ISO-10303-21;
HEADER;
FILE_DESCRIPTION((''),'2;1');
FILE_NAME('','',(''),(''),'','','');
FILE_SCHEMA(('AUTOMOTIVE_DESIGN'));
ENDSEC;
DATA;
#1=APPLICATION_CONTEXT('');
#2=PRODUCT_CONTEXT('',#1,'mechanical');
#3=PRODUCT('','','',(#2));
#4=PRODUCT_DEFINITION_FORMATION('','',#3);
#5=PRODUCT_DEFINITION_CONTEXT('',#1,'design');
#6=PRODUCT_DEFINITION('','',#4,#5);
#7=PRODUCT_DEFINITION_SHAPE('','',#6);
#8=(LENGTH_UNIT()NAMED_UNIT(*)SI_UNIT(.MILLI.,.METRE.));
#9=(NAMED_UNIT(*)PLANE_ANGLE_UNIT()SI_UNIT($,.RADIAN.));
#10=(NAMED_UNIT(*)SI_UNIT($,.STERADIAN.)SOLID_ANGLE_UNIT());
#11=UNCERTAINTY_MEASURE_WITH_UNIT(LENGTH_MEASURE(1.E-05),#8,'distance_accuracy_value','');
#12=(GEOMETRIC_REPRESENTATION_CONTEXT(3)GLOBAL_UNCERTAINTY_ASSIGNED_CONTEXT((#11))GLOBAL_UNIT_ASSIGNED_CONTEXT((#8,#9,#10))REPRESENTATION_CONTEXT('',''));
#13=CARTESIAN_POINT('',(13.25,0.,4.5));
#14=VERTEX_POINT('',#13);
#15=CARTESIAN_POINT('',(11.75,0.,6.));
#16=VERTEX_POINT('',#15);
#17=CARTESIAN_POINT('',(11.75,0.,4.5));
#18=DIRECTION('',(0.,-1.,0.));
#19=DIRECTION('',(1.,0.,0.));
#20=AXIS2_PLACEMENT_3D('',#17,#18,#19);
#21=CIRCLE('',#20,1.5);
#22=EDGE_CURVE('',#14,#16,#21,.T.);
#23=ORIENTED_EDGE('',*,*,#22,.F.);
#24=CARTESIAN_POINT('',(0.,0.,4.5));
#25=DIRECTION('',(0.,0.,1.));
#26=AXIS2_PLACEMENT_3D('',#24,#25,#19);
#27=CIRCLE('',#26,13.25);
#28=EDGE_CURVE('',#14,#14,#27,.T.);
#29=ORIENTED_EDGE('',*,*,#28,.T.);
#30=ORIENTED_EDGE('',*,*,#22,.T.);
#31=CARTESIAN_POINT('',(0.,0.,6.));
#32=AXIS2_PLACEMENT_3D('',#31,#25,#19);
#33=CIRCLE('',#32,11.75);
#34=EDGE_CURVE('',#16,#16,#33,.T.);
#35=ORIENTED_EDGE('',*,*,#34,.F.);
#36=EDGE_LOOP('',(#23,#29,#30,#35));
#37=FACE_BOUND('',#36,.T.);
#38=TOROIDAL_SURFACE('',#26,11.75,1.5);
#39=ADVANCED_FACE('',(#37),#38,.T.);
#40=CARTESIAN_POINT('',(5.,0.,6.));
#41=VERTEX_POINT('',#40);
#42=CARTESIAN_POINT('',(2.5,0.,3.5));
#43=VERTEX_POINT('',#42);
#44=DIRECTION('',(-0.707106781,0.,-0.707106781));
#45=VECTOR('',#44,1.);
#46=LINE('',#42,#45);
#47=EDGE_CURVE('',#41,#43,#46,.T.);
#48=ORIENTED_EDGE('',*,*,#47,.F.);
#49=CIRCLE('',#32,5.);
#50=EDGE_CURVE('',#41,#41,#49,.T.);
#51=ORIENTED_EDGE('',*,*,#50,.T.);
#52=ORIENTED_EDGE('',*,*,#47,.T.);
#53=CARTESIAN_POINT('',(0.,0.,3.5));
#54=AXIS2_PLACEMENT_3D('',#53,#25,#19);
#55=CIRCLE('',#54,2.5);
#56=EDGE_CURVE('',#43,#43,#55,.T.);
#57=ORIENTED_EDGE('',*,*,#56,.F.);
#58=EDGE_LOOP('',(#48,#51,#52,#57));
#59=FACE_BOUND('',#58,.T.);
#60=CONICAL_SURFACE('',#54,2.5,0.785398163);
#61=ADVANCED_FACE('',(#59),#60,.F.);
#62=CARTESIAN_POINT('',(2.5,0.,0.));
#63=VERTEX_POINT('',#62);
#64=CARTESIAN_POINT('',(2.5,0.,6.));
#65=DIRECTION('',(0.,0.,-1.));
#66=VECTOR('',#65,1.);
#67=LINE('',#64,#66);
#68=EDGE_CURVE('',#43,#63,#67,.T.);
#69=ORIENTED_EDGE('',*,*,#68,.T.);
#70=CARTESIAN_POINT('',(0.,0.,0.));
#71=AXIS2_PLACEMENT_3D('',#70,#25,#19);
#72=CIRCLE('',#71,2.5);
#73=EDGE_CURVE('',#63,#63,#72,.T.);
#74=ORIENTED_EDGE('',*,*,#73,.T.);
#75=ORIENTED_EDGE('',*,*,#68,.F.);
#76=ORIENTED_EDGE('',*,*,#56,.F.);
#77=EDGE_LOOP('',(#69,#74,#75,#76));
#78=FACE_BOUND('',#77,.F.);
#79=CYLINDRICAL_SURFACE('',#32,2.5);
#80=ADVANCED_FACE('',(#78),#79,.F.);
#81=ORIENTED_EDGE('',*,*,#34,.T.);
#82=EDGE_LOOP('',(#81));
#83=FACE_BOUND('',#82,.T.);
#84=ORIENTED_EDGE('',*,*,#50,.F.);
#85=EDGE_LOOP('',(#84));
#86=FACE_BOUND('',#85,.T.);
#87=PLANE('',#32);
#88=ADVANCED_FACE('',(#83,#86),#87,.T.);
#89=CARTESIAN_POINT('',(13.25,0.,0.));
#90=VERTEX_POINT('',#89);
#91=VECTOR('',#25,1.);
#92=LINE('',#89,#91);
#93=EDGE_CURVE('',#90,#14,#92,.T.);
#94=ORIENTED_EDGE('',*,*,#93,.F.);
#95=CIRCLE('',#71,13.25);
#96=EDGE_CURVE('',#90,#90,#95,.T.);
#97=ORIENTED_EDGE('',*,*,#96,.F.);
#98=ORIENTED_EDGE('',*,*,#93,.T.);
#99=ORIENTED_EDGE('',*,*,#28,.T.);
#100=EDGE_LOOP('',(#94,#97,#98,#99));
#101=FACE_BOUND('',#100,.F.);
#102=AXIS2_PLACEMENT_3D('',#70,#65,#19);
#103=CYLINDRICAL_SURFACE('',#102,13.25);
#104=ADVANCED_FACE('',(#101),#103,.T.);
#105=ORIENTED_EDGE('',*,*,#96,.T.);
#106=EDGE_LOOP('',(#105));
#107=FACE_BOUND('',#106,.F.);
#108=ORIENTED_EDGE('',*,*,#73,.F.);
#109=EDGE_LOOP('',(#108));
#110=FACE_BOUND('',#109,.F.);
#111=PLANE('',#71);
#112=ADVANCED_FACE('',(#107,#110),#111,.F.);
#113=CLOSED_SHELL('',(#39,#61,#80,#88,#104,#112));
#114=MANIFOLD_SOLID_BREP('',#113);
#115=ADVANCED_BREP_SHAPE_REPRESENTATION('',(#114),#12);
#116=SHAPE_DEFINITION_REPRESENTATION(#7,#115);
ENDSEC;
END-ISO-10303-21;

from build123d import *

# Parameters (mm, degrees)
SKETCH_R     = 13.25
PAD_DEPTH    = 6
FILLET_R     = 1.5
SKETCH001_R  = 2.5
POCKET_DEPTH = 6.001
CHAMFER_SIZE = 2.5


with BuildPart() as part:
    # Sketch → Pad (new body)
    with BuildSketch(Plane.XY):
        Circle(SKETCH_R)
    extrude(amount=PAD_DEPTH)

    # Fillet
    fillet_edges = [part.edges().sort_by_distance(p)[0] for p in [
        (-13.25, 0, 6),
    ]]
    fillet(fillet_edges, radius=FILLET_R)

    # Sketch001 (on Face4 of Fillet) → Pocket (cut, through all)
    with BuildSketch(Plane.XY.offset(6)):
        Circle(SKETCH001_R)
    extrude(amount=-POCKET_DEPTH, mode=Mode.SUBTRACT)

    # Chamfer
    chamfer_edges = [part.edges().sort_by_distance(p)[0] for p in [
        (-2.5, 0, 6),
    ]]
    chamfer(chamfer_edges, length=CHAMFER_SIZE)


solid = part.part
